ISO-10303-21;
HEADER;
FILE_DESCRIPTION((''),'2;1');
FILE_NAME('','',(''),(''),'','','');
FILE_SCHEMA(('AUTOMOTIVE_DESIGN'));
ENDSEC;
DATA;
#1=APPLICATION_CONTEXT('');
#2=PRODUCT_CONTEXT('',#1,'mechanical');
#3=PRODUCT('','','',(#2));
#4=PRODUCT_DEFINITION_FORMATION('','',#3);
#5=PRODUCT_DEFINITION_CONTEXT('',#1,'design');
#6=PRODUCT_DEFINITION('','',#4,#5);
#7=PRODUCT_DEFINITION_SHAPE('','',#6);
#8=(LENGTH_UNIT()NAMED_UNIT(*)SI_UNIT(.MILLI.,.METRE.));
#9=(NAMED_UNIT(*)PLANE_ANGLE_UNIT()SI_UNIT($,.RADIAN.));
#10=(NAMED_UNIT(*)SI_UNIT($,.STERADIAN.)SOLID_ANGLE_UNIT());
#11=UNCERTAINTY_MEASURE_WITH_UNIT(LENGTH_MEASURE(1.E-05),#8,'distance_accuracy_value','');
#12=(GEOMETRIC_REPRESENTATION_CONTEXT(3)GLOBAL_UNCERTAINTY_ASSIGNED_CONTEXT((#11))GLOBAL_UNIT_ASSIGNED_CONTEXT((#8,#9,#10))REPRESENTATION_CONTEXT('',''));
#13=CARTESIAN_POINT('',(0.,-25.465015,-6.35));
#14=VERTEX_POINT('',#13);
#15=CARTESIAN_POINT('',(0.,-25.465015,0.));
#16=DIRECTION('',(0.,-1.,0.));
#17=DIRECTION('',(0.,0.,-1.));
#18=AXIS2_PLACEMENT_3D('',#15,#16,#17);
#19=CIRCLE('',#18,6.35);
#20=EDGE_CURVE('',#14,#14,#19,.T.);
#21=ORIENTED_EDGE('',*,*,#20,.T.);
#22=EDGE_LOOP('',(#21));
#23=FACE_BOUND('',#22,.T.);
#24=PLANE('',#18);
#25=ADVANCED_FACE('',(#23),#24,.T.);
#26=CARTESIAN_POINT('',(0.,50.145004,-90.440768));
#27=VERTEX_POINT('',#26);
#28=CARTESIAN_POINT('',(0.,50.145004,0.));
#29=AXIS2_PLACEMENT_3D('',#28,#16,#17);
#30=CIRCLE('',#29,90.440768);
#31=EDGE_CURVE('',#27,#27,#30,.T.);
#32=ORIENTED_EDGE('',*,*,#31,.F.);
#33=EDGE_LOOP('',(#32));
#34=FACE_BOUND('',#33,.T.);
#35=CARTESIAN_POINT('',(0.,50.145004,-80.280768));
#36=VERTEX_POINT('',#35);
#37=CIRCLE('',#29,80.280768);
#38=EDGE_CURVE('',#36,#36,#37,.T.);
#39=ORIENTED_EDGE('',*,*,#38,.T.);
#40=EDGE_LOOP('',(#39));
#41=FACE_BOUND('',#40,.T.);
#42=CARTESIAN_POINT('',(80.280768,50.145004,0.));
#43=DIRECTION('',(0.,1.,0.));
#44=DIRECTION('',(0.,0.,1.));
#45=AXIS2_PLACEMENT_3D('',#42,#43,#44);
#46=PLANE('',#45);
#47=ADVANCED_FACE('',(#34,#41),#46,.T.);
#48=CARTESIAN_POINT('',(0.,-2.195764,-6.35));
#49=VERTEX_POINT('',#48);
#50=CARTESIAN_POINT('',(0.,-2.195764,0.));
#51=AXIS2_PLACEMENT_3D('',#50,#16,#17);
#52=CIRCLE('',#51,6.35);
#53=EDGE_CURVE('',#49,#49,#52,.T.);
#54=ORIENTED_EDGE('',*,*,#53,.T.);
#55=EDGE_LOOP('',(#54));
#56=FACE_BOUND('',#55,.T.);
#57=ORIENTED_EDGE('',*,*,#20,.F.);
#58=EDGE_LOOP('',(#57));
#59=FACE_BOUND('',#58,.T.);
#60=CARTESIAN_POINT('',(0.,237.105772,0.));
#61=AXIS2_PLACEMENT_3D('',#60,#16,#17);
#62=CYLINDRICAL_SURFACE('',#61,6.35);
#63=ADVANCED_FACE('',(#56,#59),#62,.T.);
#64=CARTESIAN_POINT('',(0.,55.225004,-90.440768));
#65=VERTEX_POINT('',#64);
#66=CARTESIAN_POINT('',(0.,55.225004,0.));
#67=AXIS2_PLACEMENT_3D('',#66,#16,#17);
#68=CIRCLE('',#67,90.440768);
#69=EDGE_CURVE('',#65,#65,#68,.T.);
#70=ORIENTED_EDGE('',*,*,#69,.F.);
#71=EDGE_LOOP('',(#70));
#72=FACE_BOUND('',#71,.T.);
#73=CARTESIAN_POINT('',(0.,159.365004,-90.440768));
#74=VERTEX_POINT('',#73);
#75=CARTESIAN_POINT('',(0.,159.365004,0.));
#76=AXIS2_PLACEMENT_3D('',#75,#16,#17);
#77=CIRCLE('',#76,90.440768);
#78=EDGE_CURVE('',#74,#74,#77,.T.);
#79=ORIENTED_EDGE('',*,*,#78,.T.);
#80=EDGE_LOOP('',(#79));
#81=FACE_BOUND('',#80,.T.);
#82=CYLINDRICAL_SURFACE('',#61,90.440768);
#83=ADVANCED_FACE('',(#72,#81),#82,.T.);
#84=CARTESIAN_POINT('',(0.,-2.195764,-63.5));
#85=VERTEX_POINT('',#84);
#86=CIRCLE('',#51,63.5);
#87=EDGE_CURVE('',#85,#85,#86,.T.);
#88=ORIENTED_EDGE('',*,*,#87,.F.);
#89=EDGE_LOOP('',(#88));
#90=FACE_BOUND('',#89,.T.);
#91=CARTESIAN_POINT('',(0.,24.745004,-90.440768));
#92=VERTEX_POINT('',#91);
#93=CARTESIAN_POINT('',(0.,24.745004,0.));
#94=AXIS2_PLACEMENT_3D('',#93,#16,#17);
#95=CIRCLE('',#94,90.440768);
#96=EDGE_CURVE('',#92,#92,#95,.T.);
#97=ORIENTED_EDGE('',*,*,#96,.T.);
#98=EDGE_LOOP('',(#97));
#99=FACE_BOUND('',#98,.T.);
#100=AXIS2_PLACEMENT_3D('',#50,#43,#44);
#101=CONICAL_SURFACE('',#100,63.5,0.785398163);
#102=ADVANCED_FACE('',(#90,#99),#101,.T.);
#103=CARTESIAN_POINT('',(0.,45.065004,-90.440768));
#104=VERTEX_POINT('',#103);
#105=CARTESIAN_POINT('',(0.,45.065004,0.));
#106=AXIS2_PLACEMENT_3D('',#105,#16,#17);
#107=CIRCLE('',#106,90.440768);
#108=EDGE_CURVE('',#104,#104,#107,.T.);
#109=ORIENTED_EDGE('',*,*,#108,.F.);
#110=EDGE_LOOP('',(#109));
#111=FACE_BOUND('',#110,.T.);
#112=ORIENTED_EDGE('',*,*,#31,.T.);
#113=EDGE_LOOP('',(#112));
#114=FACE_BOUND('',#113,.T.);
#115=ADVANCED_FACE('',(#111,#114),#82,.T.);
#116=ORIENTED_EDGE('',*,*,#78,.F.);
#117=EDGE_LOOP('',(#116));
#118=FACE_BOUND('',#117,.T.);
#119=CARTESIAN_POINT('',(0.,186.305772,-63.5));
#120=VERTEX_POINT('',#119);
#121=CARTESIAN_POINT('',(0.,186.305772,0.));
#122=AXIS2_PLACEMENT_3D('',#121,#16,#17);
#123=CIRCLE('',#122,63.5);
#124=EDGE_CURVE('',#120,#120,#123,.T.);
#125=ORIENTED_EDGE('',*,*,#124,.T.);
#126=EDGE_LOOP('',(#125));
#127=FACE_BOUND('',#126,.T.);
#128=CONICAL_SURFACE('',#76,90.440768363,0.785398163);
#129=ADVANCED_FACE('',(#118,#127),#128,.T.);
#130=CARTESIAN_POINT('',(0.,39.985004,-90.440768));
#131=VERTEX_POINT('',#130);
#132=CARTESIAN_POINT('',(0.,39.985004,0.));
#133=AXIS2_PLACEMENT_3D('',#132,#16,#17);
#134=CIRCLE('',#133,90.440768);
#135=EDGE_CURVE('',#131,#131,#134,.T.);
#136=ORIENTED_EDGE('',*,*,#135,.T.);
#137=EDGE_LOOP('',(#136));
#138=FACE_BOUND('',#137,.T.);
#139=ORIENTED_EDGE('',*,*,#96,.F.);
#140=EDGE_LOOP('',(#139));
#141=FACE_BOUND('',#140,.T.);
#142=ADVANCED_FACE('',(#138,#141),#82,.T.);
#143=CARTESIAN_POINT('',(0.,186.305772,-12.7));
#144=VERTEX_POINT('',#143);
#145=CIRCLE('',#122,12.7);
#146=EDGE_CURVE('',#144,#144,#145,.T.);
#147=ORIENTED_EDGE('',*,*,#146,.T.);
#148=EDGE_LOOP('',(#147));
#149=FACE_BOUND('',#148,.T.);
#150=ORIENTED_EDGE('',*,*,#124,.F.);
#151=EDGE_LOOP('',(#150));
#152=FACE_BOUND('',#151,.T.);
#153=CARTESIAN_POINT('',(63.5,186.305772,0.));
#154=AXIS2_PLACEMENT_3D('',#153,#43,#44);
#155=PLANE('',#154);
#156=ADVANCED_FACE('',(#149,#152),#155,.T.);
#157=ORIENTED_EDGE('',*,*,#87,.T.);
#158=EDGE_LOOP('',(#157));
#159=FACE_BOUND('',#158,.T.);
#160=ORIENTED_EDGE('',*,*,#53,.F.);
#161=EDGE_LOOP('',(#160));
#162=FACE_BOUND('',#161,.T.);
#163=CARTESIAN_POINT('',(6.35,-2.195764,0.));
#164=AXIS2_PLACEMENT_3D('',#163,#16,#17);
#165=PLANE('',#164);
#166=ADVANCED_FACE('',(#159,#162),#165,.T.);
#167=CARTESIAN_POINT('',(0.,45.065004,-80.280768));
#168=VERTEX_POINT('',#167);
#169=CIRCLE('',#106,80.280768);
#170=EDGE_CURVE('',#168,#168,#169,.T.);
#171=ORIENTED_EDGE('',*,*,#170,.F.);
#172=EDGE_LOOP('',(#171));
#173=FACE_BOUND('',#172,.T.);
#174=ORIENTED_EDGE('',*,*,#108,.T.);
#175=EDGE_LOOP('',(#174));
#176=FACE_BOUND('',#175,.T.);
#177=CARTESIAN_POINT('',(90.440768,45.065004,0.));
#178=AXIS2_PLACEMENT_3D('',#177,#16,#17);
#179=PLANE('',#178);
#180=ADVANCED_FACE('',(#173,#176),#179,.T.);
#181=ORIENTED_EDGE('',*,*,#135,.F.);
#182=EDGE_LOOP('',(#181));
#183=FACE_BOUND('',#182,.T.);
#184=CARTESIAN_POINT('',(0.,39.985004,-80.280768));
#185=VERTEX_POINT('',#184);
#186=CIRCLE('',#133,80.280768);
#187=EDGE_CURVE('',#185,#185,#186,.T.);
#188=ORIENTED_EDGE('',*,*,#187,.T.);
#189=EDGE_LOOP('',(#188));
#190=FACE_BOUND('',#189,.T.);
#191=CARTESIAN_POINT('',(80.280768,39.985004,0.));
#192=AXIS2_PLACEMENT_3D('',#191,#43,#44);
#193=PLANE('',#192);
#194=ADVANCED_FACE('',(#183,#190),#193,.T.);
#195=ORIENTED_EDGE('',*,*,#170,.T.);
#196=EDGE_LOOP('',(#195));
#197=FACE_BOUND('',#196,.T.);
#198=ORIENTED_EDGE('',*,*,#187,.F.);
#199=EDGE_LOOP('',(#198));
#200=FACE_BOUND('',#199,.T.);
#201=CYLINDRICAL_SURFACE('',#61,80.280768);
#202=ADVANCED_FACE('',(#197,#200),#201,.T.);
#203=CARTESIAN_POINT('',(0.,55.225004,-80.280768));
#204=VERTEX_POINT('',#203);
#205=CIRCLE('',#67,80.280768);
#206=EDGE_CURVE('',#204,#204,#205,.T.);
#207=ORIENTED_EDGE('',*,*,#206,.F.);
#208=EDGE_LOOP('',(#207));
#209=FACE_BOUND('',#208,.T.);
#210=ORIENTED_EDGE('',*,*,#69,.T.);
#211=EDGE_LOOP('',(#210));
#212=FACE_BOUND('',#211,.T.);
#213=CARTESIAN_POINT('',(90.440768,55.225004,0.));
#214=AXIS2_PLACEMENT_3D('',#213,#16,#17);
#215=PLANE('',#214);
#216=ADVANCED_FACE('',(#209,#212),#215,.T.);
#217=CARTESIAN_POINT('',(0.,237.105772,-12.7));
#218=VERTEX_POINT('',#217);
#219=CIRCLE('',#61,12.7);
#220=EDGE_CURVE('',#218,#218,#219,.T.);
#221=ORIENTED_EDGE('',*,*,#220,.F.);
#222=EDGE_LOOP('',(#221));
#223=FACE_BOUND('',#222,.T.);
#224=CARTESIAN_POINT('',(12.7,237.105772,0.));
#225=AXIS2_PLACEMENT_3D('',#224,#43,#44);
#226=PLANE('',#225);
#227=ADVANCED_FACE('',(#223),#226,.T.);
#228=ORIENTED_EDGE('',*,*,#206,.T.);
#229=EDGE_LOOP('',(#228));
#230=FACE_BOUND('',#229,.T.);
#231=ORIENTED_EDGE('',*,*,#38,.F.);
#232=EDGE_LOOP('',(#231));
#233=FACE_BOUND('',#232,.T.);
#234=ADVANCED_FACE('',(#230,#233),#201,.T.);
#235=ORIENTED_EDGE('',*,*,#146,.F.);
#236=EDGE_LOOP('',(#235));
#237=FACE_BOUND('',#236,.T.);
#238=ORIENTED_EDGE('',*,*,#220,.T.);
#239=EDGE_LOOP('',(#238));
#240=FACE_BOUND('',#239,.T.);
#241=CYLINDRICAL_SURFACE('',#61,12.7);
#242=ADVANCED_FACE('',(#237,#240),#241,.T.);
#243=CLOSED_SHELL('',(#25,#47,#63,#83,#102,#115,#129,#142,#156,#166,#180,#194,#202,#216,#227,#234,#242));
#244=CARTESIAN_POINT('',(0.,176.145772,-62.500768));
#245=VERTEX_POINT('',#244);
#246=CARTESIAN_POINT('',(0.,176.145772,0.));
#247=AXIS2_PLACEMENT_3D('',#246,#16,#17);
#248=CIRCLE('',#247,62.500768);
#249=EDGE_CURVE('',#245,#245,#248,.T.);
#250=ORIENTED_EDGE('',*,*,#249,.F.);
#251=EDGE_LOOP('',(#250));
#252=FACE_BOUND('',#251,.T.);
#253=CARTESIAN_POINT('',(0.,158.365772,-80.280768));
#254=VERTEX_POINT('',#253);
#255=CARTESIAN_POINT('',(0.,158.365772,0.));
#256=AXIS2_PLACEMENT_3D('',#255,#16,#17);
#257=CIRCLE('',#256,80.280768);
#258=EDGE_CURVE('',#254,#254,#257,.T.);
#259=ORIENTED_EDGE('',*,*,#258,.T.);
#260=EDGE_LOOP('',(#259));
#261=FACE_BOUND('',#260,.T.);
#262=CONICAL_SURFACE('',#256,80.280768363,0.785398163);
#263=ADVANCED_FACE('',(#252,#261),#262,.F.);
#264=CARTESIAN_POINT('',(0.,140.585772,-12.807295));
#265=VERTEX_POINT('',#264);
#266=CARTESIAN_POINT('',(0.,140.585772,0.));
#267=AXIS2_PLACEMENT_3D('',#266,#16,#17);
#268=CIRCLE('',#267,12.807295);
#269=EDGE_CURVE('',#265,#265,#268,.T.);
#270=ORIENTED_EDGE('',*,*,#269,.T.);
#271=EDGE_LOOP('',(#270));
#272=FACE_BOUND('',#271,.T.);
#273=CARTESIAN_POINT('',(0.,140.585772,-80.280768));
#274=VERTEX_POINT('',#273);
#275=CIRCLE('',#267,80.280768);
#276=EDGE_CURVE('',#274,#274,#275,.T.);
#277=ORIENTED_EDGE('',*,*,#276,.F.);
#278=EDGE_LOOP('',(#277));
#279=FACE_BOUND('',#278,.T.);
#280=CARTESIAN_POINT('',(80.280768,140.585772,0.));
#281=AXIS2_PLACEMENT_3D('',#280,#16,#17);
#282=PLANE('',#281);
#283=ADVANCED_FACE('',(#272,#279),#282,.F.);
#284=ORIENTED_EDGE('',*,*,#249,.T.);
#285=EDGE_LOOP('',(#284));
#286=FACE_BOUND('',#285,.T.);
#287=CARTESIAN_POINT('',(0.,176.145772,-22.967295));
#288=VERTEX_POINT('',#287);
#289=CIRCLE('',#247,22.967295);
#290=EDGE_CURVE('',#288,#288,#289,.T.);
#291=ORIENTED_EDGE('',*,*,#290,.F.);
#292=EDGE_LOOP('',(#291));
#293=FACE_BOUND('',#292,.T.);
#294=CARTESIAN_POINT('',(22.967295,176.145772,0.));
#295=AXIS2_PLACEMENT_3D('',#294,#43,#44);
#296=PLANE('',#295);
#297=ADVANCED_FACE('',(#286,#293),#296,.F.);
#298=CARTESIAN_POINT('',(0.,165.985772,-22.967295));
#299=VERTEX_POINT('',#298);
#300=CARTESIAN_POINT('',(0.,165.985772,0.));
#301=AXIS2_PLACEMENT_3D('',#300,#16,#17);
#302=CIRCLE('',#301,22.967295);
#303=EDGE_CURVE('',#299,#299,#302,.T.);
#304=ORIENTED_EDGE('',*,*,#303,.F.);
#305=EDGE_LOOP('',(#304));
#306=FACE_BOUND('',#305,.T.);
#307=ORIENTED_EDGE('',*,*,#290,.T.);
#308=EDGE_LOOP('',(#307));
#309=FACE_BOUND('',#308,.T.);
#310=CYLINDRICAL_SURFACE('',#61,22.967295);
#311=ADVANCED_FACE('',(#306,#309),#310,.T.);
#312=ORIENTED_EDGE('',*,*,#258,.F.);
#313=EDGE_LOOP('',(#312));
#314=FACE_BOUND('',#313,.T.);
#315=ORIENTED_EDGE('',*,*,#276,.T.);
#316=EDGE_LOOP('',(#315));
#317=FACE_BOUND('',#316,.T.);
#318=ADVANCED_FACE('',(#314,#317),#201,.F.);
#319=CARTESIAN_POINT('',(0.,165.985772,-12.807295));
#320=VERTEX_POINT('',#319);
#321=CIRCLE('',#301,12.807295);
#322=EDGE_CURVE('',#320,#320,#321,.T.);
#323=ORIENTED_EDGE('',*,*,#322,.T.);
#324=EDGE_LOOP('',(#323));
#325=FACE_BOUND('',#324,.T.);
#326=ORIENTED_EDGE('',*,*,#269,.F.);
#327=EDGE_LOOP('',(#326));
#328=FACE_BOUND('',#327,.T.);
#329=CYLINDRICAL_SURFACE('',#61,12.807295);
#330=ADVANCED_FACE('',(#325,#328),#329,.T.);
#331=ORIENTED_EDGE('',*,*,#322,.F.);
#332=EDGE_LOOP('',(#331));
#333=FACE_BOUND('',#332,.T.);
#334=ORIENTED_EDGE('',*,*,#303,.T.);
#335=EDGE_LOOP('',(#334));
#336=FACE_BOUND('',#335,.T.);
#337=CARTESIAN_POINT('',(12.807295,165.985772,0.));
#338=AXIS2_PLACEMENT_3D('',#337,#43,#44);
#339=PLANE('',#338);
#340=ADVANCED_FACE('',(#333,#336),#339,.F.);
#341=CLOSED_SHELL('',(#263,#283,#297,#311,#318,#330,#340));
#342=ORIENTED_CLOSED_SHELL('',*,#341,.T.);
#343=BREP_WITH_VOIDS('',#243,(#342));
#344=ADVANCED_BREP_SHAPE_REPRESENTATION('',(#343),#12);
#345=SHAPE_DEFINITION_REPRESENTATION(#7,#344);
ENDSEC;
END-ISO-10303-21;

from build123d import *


with BuildPart() as part:
    # Sketch1 → Revolve1 (revolve)
    with BuildSketch(Plane.XY):
        Polygon((6.35, -2.195764302), (63.5, -2.195764302), (90.440768363, 24.745004061), (90.440768363, 39.985004061), (80.280768363, 39.985004061), (80.280768363, 45.065004061), (90.440768363, 45.065004061), (90.440768363, 50.145004061), (80.280768363, 50.145004061), (80.280768363, 55.225004061), (90.440768363, 55.225004061), (90.440768363, 159.365004061), (63.5, 186.305772424), (12.7, 186.305772424), (12.7, 237.105772424), (0, 237.105772424), (0, 0), (0, -25.4650148), (6.35, -25.4650148), align=None)
        Polygon((22.967294816, 176.145772424), (62.500768363, 176.145772424), (80.280768363, 158.365772424), (80.280768363, 140.585772424), (12.807294816, 140.585772424), (12.807294816, 165.985772424), (22.967294816, 165.985772424), align=None, mode=Mode.SUBTRACT)
    revolve(axis=Axis((0, 237.105772424, 0), (0, 1, 0)))


solid = part.part
